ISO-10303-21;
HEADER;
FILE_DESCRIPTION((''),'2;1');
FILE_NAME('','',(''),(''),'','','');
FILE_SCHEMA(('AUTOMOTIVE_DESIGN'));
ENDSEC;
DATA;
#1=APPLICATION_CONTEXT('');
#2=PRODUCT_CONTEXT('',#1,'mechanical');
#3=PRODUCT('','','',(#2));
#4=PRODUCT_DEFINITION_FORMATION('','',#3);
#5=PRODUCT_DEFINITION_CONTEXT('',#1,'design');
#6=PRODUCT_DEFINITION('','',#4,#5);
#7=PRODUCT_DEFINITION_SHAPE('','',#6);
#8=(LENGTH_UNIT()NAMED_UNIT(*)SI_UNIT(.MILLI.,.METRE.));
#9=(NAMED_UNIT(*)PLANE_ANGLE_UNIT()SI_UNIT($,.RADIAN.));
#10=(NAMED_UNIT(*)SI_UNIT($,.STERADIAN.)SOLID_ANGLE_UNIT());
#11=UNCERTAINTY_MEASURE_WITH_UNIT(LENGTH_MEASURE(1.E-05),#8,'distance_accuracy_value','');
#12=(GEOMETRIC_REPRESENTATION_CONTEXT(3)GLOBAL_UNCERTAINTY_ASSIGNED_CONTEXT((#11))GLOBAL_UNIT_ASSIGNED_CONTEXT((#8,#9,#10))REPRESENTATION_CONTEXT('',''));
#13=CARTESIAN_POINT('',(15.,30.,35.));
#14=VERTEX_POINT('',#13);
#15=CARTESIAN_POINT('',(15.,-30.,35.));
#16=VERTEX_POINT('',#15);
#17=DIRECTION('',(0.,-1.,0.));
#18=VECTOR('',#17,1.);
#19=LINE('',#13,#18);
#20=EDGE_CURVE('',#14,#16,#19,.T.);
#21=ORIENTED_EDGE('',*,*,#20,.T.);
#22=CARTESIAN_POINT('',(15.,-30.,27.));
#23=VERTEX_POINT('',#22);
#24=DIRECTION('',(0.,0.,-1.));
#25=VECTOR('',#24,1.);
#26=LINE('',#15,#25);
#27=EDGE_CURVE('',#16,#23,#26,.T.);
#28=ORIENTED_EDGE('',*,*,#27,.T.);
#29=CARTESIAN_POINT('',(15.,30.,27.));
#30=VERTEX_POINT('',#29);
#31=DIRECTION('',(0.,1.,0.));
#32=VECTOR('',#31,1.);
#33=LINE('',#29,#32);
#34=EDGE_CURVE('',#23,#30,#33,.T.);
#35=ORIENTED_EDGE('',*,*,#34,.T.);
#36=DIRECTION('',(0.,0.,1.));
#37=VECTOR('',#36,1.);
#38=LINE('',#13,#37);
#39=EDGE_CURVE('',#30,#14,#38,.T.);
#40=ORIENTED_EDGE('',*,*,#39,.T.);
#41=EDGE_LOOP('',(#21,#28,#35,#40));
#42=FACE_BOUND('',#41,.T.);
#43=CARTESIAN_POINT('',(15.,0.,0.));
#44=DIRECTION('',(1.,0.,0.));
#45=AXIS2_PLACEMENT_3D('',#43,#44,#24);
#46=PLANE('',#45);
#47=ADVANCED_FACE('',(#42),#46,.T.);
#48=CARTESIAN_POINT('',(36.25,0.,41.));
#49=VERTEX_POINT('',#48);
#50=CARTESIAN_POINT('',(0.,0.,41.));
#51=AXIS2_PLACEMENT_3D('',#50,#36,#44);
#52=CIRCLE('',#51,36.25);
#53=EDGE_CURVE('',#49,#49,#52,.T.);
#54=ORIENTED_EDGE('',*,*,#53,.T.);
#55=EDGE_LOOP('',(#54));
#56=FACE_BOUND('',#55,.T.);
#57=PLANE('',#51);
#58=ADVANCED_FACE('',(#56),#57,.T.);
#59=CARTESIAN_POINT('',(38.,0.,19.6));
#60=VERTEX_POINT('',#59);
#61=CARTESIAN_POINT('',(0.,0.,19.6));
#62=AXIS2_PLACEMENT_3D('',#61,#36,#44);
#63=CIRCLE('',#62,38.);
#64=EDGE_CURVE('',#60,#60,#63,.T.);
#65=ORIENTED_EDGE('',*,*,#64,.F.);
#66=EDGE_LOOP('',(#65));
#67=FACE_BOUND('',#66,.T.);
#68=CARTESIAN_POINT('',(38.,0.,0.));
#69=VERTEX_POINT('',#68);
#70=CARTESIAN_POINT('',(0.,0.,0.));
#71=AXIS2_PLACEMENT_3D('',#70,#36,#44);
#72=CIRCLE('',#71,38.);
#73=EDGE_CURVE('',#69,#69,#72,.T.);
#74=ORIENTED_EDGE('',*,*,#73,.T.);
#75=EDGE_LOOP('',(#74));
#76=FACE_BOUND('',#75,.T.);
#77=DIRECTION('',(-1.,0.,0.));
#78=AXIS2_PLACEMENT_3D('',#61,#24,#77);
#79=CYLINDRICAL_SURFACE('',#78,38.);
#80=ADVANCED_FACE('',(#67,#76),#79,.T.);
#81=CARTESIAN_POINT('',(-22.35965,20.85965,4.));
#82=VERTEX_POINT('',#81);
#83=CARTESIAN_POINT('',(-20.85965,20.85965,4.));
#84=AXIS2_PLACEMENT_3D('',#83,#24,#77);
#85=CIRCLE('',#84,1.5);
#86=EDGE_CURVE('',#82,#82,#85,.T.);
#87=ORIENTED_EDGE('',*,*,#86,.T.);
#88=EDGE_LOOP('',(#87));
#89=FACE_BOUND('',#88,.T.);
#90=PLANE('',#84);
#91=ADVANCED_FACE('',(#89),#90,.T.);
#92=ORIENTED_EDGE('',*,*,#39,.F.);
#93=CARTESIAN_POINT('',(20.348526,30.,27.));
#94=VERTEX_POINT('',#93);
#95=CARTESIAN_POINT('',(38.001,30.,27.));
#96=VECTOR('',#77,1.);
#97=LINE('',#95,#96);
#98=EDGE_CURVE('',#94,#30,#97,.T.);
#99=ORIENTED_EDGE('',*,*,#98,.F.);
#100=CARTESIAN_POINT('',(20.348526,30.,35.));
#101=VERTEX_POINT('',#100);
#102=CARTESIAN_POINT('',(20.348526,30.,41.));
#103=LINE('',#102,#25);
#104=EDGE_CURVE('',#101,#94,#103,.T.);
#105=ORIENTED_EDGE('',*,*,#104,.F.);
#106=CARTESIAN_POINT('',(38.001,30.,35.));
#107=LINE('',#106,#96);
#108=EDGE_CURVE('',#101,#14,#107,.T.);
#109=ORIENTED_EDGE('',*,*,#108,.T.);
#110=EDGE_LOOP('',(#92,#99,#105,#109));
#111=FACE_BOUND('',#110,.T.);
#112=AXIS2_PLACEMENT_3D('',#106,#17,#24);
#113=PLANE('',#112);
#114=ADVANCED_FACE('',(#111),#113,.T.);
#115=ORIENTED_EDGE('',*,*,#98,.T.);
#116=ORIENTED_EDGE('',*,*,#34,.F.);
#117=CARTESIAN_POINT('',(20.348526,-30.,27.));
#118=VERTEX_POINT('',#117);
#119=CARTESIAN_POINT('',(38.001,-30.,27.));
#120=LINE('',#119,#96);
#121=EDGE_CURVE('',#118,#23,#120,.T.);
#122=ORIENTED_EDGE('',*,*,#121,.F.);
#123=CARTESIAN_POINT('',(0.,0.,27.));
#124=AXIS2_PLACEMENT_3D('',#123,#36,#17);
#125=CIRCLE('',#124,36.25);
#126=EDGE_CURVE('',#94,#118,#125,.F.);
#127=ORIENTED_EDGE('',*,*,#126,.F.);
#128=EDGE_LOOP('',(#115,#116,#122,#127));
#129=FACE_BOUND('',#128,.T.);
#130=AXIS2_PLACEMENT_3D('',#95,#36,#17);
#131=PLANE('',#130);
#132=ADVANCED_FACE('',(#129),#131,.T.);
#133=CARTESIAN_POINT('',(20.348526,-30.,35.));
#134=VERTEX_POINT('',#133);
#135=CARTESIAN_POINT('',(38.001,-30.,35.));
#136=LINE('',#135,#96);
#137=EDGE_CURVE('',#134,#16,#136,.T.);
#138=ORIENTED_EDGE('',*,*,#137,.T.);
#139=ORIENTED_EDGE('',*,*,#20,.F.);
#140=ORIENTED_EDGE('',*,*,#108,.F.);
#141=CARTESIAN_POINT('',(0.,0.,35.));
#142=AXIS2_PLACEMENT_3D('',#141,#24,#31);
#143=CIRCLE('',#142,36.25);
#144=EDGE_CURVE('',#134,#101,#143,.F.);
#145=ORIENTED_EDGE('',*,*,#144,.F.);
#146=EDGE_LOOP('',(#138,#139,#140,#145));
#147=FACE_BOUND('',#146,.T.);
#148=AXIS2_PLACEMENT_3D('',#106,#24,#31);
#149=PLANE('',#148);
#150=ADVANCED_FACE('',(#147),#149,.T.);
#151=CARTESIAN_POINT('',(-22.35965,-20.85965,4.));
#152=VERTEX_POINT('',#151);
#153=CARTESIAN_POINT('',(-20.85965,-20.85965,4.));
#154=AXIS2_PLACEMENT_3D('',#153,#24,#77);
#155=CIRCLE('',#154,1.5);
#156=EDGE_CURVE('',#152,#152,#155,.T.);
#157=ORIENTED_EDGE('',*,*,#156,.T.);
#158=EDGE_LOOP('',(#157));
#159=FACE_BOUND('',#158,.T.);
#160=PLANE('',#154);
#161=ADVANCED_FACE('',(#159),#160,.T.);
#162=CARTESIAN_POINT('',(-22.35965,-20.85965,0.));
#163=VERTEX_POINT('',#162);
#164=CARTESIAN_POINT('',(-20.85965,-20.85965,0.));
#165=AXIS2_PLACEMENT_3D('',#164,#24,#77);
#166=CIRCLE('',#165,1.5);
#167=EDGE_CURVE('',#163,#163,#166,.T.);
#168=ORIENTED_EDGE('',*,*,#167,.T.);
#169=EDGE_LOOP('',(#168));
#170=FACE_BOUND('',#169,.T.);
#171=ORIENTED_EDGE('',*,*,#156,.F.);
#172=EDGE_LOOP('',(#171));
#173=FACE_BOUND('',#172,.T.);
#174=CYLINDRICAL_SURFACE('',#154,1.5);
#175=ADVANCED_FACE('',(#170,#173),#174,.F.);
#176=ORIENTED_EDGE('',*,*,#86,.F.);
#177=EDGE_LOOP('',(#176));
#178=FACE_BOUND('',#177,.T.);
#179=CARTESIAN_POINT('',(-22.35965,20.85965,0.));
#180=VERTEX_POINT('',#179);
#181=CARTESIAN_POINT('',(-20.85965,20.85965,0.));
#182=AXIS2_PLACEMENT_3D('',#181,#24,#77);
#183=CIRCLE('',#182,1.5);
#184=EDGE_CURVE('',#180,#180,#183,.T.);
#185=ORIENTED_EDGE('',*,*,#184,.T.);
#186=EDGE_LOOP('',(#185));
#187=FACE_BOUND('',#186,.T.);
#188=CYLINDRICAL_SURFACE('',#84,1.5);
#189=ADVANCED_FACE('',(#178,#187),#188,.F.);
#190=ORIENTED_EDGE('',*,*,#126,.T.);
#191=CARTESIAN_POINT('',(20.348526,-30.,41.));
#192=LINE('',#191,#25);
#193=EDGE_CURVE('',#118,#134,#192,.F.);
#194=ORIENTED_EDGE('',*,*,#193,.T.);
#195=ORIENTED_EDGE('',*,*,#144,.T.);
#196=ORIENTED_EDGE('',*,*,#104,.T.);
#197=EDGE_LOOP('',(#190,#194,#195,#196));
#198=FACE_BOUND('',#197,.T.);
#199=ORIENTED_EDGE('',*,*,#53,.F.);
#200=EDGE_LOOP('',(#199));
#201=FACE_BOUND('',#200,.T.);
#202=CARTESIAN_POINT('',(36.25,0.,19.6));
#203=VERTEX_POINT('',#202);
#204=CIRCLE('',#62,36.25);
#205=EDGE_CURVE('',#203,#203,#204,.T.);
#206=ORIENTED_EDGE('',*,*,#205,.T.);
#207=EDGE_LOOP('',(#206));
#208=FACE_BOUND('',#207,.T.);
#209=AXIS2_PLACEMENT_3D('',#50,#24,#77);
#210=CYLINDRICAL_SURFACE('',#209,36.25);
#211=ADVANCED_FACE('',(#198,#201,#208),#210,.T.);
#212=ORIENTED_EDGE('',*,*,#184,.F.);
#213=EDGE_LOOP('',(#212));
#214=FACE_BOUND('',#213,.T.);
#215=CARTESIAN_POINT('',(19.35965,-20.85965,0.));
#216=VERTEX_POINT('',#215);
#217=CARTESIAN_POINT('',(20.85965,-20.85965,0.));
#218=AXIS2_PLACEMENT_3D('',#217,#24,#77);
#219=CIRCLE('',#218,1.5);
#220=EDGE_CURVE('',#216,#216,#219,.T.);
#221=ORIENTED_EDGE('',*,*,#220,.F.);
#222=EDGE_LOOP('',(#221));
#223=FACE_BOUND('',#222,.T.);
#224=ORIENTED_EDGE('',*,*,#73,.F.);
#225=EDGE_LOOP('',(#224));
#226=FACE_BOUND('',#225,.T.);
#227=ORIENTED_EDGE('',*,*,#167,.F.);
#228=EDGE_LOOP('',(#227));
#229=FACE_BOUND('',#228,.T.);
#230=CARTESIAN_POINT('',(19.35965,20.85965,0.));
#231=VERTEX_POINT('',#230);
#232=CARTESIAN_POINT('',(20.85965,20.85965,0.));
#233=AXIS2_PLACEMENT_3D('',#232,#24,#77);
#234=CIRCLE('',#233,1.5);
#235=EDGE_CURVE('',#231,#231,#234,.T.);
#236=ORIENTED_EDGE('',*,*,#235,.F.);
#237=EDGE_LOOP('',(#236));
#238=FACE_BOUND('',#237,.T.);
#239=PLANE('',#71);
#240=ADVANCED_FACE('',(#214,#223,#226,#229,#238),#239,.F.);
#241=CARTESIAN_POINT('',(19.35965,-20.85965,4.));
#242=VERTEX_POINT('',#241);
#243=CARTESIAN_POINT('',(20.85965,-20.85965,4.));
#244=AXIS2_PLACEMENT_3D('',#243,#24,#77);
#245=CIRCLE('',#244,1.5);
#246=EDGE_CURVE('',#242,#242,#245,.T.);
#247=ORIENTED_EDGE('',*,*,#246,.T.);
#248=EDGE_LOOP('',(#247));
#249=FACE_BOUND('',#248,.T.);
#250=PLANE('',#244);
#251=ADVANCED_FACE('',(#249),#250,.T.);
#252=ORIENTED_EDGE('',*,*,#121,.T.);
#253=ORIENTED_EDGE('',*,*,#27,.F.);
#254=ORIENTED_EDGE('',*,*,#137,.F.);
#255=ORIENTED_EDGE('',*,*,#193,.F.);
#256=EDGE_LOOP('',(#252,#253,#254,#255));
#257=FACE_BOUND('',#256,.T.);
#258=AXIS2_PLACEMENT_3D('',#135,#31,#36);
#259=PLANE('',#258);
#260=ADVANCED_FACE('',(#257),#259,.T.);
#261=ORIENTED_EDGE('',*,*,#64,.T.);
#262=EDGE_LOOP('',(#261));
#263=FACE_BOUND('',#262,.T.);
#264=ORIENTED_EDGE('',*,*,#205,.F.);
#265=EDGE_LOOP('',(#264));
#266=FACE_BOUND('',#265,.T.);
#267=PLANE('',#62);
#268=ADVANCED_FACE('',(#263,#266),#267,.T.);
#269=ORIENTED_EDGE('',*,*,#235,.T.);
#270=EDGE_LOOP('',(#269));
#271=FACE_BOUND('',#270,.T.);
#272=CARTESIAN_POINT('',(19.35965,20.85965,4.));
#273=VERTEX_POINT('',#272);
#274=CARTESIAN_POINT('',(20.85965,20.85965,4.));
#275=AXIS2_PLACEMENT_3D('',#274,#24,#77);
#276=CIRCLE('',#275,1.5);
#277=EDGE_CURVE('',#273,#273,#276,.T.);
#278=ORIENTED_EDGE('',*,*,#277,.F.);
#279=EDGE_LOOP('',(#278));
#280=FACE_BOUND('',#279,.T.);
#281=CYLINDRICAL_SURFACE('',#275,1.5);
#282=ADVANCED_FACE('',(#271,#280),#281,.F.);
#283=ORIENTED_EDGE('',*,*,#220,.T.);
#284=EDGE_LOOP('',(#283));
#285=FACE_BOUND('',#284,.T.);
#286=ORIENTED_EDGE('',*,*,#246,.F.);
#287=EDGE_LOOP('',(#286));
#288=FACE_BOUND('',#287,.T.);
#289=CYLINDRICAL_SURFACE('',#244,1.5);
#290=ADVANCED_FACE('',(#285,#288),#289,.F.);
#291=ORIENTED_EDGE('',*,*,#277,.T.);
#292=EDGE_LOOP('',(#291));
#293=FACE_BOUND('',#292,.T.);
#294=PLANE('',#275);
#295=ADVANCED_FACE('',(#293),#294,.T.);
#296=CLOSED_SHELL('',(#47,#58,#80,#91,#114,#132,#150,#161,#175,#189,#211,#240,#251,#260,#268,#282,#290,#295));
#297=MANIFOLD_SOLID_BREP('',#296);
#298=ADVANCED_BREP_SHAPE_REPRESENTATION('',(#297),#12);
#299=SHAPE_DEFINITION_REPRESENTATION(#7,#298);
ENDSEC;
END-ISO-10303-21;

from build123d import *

# Parameters (mm, degrees)
SKETCH_1_R          = 38
EXTRUDE_1_DEPTH     = 19.6
SKETCH_2_R          = 36.25
EXTRUDE_2_DEPTH     = 21.4
SKETCH_3_R          = 1.5
CUT_EXTRUDE_1_DEPTH = 4
CUT_EXTRUDE_2_REACH = 55
CUT_EXTRUDE_START   = 15
SKETCH_5_W          = 8
SKETCH_5_H          = 60


with BuildPart() as part:
    # 草图1 → 凸台-拉伸1 (new body)
    with BuildSketch(Plane.XY):
        Circle(SKETCH_1_R)
    extrude(amount=EXTRUDE_1_DEPTH)

    # 草图2 → 凸台-拉伸2 (add)
    with BuildSketch(Plane.XY.offset(19.6)):
        Circle(SKETCH_2_R)
    extrude(amount=EXTRUDE_2_DEPTH)

    # 草图3 → 切除-拉伸1 (cut)
    with BuildSketch(Plane(origin=(0, 0, 0), x_dir=(-1, 0, 0), z_dir=(0, 0, -1))):
        with Locations((20.859650045, 20.859650045)):
            Circle(SKETCH_3_R)
        with Locations((20.859650045, -20.859650045)):
            Circle(SKETCH_3_R)
        with Locations((-20.859650045, -20.859650045)):
            Circle(SKETCH_3_R)
        with Locations((-20.859650045, 20.859650045)):
            Circle(SKETCH_3_R)
    extrude(amount=-CUT_EXTRUDE_1_DEPTH, mode=Mode.SUBTRACT)

    # 草图5 → 切除-拉伸2 (cut, up to next)
    with BuildSketch(Plane(origin=(0, 0, 0), x_dir=(0, 0, -1), z_dir=(1, 0, 0)).offset(CUT_EXTRUDE_START), mode=Mode.PRIVATE) as cut_extrude_2_sk1:
        with Locations((-31, 0)):
            Rectangle(SKETCH_5_W, SKETCH_5_H)
    cut_extrude_2_tool1 = extrude(cut_extrude_2_sk1.sketch, amount=CUT_EXTRUDE_2_REACH, mode=Mode.PRIVATE) & part.part
    add(cut_extrude_2_tool1.solids().sort_by_distance((15, 0, 31))[0], mode=Mode.SUBTRACT)


solid = part.part
